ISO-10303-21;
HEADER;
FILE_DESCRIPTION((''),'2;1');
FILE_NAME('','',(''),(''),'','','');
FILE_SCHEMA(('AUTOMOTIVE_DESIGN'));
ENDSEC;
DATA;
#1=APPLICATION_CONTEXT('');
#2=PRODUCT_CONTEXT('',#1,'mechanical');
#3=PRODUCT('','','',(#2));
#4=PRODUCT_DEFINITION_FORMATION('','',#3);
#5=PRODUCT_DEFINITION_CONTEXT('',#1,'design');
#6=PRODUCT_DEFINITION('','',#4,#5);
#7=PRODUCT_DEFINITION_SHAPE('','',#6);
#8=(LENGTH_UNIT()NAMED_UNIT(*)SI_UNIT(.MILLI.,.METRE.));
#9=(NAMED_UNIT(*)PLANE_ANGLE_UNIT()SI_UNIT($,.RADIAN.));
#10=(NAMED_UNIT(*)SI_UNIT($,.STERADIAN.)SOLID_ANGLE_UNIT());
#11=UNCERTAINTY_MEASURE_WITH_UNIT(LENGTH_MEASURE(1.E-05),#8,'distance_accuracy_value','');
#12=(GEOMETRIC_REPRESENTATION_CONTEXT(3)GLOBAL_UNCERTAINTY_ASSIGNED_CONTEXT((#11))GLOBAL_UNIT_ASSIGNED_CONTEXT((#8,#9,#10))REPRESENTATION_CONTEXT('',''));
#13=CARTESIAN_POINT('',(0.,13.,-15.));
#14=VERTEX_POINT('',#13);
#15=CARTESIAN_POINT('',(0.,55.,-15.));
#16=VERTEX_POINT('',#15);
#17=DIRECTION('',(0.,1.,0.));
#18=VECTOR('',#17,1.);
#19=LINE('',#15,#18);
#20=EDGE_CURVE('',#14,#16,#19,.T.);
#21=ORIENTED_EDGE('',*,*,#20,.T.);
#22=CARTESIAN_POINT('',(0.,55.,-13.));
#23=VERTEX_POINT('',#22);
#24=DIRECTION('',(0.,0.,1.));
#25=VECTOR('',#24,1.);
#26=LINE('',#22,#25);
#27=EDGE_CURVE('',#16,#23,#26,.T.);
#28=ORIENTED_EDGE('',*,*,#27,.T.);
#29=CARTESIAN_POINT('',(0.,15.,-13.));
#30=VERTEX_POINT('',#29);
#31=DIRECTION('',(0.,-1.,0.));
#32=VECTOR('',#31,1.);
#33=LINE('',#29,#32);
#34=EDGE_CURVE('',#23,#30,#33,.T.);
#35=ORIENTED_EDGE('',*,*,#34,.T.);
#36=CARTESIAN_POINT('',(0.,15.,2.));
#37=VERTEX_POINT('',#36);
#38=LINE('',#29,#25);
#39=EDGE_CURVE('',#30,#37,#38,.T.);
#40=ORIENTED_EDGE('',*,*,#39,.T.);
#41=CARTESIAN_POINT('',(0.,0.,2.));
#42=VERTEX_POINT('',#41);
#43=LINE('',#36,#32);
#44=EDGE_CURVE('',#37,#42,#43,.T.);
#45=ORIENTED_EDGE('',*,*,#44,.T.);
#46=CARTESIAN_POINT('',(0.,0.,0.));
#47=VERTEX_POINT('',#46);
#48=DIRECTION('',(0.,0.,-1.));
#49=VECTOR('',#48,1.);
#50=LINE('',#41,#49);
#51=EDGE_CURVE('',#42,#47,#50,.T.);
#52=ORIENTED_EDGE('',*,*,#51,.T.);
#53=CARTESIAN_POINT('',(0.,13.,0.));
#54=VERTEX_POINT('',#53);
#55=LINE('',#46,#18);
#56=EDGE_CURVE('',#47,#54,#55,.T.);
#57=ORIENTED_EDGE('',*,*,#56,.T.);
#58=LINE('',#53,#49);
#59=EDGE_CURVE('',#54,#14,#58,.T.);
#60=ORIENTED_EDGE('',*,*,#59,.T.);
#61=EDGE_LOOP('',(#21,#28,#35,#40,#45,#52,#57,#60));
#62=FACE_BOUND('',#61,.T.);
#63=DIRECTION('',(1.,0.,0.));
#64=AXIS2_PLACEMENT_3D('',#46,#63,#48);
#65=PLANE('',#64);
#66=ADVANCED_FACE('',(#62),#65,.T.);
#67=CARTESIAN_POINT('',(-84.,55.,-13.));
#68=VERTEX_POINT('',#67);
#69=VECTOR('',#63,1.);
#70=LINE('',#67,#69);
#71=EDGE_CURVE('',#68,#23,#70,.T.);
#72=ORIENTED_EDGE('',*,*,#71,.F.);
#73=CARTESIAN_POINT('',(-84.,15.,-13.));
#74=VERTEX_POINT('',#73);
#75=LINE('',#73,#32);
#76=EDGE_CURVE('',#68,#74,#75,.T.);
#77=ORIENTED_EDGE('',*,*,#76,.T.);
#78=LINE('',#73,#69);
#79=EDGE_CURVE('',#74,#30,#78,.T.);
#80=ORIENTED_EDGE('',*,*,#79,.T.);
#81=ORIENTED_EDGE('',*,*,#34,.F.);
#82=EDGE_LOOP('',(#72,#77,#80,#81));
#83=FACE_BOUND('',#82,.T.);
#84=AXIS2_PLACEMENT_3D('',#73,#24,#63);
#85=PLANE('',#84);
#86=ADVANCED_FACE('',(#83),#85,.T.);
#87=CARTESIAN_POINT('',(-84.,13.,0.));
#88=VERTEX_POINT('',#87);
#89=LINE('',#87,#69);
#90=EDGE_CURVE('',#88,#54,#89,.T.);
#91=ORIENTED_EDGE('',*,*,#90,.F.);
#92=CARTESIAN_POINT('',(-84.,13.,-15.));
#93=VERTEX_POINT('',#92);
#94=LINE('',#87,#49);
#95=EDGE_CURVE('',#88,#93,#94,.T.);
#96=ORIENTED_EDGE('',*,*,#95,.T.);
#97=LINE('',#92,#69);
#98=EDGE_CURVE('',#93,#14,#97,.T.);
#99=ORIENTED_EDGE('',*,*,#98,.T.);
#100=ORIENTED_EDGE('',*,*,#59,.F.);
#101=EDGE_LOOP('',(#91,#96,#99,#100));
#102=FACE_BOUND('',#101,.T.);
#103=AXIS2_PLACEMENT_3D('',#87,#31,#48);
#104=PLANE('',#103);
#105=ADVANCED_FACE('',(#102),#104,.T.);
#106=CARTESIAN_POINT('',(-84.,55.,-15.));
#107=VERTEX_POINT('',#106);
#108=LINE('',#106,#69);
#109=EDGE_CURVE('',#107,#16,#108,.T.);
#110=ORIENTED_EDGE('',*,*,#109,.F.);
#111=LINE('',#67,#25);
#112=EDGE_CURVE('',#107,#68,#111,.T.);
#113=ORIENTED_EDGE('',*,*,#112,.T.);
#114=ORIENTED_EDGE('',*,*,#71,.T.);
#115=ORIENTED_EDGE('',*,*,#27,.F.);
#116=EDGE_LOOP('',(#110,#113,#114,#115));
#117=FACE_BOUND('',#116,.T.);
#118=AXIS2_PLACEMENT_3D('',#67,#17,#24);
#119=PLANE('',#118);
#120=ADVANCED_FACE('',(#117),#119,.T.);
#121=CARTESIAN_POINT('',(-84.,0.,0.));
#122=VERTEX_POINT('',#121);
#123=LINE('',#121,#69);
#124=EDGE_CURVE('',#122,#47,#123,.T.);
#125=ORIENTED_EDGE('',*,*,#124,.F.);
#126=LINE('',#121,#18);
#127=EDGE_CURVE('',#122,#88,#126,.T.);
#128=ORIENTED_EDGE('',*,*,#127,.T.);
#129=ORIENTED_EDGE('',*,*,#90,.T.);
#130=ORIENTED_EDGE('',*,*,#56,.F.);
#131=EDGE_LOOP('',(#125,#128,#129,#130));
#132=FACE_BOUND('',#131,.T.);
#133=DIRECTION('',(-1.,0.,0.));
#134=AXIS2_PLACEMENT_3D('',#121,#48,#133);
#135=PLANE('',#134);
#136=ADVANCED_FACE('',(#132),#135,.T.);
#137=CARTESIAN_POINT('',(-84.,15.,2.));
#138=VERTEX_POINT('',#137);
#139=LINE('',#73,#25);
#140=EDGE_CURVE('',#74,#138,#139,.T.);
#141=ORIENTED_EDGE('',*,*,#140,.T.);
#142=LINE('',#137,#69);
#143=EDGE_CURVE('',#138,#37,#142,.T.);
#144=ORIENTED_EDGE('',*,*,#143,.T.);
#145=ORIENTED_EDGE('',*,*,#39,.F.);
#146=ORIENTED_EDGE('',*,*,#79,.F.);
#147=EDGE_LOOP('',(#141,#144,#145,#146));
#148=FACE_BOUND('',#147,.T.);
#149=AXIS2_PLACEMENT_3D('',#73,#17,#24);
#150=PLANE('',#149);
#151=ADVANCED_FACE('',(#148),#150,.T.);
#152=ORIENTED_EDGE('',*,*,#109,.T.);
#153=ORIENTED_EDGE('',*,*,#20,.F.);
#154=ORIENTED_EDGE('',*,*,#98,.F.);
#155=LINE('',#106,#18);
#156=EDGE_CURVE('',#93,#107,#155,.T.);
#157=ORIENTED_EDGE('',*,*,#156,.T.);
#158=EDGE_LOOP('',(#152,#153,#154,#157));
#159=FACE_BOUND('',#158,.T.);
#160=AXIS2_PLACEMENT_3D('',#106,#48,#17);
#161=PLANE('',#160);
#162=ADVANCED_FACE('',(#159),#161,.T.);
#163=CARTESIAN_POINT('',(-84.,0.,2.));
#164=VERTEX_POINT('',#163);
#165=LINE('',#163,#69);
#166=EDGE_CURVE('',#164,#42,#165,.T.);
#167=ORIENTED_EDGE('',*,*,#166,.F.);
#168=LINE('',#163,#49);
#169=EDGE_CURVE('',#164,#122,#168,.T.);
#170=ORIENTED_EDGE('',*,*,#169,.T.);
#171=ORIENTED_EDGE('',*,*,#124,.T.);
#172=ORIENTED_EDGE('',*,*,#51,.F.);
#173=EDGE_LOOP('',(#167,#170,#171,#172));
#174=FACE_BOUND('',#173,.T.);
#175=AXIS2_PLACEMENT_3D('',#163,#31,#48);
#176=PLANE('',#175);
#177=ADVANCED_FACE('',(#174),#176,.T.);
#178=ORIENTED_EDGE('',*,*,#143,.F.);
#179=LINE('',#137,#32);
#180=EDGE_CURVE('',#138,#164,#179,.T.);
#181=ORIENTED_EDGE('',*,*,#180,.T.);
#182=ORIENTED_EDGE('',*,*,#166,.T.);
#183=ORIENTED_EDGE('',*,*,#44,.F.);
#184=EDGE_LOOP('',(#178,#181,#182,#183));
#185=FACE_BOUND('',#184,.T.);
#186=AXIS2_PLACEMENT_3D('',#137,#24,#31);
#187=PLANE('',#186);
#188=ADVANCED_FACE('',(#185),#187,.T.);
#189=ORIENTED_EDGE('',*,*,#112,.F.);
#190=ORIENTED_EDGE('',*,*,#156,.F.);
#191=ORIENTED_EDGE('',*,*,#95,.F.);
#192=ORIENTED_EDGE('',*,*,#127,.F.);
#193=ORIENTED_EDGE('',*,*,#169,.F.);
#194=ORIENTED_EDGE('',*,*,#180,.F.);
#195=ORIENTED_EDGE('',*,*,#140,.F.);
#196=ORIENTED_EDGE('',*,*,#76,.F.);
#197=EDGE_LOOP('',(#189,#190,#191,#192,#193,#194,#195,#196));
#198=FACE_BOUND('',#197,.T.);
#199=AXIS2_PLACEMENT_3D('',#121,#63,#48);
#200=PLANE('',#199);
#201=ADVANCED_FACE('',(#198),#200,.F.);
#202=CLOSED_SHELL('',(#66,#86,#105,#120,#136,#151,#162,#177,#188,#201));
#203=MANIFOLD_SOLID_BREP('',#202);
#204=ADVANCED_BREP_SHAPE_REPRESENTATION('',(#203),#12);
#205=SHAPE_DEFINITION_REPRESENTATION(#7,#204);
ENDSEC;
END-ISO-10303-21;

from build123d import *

# Parameters (mm, degrees)
BOSS_EXTRUDE1_DEPTH = 84


with BuildPart() as part:
    # Sketch1 → Boss-Extrude1 (new body)
    with BuildSketch(Plane(origin=(0, 0, 0), x_dir=(0, 0, -1), z_dir=(1, 0, 0))):
        Polygon((0, 0), (0, 13), (15, 13), (15, 55), (13, 55), (13, 15), (-2, 15), (-2, 0), align=None)
    extrude(amount=-BOSS_EXTRUDE1_DEPTH)


solid = part.part
